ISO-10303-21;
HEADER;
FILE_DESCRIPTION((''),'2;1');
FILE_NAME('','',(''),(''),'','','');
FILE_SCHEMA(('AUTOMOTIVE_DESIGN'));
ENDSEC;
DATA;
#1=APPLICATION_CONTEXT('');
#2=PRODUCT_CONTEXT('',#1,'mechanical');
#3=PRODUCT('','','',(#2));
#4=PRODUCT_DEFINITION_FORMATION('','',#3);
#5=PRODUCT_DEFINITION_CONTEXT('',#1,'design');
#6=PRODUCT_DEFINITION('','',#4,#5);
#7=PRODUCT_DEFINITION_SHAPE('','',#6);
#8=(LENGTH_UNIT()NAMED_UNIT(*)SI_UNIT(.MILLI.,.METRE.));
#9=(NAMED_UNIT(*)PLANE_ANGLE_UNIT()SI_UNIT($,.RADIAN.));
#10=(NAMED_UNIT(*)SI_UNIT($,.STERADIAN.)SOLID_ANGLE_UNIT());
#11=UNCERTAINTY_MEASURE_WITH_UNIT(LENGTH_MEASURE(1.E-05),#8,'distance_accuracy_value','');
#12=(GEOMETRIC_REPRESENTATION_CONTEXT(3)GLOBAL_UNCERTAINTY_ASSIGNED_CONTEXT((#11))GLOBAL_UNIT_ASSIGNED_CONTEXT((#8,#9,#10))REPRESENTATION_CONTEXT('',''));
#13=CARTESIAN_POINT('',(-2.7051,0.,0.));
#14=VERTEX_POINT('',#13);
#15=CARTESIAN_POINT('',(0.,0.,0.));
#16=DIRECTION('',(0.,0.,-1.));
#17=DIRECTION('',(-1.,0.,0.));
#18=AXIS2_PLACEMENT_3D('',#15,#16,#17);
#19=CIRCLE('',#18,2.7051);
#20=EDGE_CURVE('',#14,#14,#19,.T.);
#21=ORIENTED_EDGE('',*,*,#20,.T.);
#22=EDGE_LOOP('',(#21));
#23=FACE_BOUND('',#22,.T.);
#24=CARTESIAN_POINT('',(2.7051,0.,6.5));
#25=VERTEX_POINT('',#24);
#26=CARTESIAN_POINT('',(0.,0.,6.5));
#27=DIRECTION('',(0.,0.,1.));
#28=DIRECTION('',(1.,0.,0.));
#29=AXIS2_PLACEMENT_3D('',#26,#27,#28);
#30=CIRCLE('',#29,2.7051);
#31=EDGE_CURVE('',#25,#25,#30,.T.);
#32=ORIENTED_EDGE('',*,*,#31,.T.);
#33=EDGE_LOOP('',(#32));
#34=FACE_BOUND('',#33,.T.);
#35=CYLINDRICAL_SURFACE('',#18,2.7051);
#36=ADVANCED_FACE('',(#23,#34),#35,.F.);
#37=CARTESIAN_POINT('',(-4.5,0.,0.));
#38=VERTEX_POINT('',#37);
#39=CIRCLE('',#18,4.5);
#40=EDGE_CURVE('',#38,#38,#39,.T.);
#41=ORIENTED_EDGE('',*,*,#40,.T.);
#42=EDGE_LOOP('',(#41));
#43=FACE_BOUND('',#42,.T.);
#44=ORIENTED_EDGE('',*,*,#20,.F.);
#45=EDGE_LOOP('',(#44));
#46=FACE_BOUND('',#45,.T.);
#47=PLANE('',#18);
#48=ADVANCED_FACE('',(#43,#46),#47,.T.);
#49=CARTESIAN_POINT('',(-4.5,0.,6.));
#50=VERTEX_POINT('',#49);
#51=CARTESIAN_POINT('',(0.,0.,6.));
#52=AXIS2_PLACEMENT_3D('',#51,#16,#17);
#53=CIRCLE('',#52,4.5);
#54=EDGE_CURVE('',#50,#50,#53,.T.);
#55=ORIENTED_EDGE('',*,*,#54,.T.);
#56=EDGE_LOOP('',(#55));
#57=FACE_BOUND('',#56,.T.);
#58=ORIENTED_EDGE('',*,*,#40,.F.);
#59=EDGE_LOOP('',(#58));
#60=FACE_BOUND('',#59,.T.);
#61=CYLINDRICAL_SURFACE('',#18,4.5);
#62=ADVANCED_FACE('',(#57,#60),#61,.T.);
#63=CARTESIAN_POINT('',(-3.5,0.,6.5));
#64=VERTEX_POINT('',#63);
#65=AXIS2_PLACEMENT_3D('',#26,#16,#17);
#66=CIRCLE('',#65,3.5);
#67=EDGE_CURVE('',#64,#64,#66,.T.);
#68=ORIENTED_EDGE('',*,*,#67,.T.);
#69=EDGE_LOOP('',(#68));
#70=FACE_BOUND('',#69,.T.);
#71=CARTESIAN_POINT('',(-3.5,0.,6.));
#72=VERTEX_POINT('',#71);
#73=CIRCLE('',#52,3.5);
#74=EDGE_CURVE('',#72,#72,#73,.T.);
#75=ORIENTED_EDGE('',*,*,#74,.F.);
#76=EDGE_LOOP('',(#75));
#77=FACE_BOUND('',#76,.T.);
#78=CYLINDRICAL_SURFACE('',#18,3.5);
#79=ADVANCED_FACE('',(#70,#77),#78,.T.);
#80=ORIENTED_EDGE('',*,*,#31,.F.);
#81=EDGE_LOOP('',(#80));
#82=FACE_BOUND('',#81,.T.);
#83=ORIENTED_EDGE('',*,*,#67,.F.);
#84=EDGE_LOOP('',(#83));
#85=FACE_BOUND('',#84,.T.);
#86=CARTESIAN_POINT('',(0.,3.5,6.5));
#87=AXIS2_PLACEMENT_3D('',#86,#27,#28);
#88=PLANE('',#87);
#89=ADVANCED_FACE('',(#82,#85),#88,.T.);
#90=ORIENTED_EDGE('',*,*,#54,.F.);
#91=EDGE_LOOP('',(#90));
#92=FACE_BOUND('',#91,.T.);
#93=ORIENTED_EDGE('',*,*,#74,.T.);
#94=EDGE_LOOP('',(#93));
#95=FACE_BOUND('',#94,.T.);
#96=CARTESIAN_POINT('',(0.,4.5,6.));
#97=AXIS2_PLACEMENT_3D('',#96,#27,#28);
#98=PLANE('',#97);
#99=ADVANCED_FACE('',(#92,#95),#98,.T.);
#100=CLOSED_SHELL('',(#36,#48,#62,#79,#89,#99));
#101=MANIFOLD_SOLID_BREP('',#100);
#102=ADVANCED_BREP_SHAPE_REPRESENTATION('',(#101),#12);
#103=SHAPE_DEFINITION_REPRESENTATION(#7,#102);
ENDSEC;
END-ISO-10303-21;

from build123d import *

# Parameters (mm, degrees)
F_1_4_32_TAPPED_HOLE1_D     = 5.4102
F_1_4_32_TAPPED_HOLE1_DEPTH = 17.2339
F_1_4_32_TAPPED_HOLE1_TIP   = 1.625388061


with BuildPart() as part:
    # Sketch1 → Revolve1 (revolve)
    with BuildSketch(Plane(origin=(0, 0, 0), x_dir=(0, 0, -1), z_dir=(1, 0, 0)), mode=Mode.PRIVATE) as revolve1_sk:
        Polygon((0, 0), (0, 4.5), (-6, 4.5), (-6, 3.5), (-6.5, 3.5), (-6.5, 0), align=None)
    revolve(revolve1_sk.sketch.rotate(Axis((0, 0, 0), (0, 0, 1)), 90), axis=Axis((0, 0, 0), (0, 0, 1)))

    # 1/4-32 Tapped Hole1
    with Locations(Plane(origin=(0, 0, 0), x_dir=(-1, 0, 0), z_dir=(0, 0, -1))):
        with Locations((0, 0)):
            Hole(F_1_4_32_TAPPED_HOLE1_D / 2, depth=F_1_4_32_TAPPED_HOLE1_DEPTH)
            with Locations((0, 0, -(F_1_4_32_TAPPED_HOLE1_DEPTH + F_1_4_32_TAPPED_HOLE1_TIP / 2))):  # 118° drill point
                Cone(0, F_1_4_32_TAPPED_HOLE1_D / 2, F_1_4_32_TAPPED_HOLE1_TIP, mode=Mode.SUBTRACT)


solid = part.part
